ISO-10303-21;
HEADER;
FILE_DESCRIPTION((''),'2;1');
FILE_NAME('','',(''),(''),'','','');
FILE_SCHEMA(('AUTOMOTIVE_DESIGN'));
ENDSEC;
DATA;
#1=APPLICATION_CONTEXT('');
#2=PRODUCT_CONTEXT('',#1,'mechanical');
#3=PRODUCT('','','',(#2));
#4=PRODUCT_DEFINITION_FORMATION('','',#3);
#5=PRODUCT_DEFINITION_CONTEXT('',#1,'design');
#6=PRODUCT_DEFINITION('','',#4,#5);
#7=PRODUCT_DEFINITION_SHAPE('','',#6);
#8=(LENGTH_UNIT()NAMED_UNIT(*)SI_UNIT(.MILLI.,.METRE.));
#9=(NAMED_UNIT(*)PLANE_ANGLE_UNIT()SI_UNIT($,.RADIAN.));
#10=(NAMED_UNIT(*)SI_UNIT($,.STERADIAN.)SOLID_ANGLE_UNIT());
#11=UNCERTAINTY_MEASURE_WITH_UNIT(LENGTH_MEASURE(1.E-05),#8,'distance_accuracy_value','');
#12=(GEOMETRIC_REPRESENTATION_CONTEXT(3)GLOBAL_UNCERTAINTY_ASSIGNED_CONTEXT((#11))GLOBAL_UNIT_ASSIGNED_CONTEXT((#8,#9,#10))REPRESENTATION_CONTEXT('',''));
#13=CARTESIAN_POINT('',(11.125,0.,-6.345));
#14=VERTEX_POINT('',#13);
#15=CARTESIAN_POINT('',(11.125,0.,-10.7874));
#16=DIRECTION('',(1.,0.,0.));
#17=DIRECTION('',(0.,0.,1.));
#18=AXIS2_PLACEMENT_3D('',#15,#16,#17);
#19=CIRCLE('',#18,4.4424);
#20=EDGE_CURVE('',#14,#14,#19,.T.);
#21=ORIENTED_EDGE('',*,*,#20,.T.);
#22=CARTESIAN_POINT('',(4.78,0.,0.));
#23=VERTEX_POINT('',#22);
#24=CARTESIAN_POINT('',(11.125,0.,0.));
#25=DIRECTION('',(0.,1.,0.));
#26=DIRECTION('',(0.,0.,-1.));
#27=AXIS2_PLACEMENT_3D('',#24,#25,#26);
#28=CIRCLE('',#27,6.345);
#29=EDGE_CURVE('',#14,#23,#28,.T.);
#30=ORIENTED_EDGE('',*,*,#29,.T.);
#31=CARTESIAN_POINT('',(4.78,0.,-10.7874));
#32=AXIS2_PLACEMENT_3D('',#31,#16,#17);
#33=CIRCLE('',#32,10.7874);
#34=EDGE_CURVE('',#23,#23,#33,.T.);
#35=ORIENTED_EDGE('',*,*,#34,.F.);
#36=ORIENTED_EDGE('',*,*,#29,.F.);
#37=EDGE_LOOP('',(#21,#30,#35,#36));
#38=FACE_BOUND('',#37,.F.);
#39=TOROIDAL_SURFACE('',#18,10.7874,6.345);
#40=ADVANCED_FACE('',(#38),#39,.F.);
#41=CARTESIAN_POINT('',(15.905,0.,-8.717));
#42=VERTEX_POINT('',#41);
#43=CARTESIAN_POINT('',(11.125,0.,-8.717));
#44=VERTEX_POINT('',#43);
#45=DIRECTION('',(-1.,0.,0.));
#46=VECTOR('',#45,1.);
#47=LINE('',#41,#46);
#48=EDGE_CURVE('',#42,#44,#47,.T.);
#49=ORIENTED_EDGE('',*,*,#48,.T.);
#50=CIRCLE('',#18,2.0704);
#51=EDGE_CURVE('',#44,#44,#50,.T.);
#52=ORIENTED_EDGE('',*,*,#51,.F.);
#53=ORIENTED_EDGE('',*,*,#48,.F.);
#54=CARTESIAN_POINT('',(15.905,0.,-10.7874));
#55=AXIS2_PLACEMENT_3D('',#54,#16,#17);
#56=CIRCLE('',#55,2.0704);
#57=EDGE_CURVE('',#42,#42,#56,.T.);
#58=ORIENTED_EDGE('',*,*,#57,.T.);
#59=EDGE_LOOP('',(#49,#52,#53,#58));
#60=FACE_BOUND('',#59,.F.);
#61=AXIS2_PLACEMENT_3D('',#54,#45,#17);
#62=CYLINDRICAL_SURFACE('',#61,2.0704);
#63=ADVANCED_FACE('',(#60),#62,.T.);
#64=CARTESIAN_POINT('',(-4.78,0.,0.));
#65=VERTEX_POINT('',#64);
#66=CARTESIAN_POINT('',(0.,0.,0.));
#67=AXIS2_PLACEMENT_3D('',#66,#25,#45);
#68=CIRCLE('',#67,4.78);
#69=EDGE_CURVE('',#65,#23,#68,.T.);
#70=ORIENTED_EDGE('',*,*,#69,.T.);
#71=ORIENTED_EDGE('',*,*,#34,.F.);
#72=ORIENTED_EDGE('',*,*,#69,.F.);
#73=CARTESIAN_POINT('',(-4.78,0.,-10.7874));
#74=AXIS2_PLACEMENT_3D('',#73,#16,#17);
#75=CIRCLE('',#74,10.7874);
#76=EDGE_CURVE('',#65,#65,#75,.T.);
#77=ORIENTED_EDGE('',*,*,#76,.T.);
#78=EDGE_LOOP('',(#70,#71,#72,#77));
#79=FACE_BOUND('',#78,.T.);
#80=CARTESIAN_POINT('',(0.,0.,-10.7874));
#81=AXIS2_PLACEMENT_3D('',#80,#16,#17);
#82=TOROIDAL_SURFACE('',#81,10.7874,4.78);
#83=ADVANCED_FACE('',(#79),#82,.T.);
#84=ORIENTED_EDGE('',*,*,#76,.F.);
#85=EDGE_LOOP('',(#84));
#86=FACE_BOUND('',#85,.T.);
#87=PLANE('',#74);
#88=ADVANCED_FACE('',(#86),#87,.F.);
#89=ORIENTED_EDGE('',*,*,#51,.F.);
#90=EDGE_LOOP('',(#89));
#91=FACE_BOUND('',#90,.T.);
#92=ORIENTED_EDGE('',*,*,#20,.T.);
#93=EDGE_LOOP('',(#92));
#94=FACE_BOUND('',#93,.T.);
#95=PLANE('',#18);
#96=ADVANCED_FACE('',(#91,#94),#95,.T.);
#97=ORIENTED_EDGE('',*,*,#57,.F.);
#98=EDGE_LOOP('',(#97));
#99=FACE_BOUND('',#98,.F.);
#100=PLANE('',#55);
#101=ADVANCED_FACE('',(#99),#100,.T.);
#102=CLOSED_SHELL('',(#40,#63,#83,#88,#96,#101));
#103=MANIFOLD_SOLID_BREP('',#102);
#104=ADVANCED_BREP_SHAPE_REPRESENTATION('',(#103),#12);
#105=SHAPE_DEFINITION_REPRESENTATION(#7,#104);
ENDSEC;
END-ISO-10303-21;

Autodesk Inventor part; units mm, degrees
ref_plane "YZ Plane" through (0, 0, 0) normal (1, 0, 0) x (0, 1, 0)
ref_plane "XZ Plane" through (0, 0, 0) normal (0, 1, 0) x (-1, 0, 0)
ref_plane "XY Plane" through (0, 0, 0) normal (0, 0, 1) x (1, 0, 0)
sketch "Esboço1" plane through (0, 0, 0) normal (0, 1, 0) x (-1, 0, 0)
  line L0 (0, 0) -> (0, -22.22) construction
  line L1 (-4.78, 0) -> (-4.78, -22.22)
  line L2 (4.78, -22.22) -> (4.78, 0)
  arc A0 (4.78, 0) -> (-4.78, 0) centre (0, 0) ccw
  arc A1 (-4.78, -22.22) -> (4.78, -22.22) centre (0, -22.22) ccw
  line L3 (0, 10.9873) -> (0, -31.785) construction
  line L4 (0, 0) -> (-12.69, 0) construction
  line L5 (0, -22.22) -> (-4.78, -22.22)
  line L6 (0, -22.22) -> (-6.345, -22.22) construction
  line L7 (-12.69, -22.22) -> (-12.7, -22.22) construction
  line L8 (-12.69, 0) -> (-19.04, 0)
  line L9 (-4.78, 0) -> (-17.47, 0)
  line L10 (-4.78, -22.22) -> (-17.47, -22.22)
  arc A2 (-11.125, -6.345) -> (-4.78, 0) centre (-11.125, 0) ccw
  arc A3 (-4.78, -22.22) -> (-11.125, -15.875) centre (-11.125, -22.22) ccw
  line L11 (-11.125, -6.345) -> (-11.125, -15.875)
  line L12 (-11.125, -6.345) -> (-11.125, -8.725)
  line L13 (-11.125, -15.875) -> (-11.125, -13.497)
  line L14 (-11.125, -13.497) -> (-15.905, -13.497)
  line L15 (-15.905, -13.497) -> (-15.905, -8.717)
  line L16 (-15.905, -8.717) -> (-11.125, -8.717)
  line L17 (16.9067, -10.7874) -> (-22.1807, -10.7874)
  point P0 (-15.905, -10.7874)
  point P1 (4.78, -10.7874)
revolve "Revolução1" add sketch "Esboço1" angle 360 about axis through (-16.9067, 0, -10.7874) along (1, 0, 0) contours A0 L2 L17 L1 | L1 L17 L11 A2 | L17 L15 L16 L11
properties part number "Vibrequim9"
